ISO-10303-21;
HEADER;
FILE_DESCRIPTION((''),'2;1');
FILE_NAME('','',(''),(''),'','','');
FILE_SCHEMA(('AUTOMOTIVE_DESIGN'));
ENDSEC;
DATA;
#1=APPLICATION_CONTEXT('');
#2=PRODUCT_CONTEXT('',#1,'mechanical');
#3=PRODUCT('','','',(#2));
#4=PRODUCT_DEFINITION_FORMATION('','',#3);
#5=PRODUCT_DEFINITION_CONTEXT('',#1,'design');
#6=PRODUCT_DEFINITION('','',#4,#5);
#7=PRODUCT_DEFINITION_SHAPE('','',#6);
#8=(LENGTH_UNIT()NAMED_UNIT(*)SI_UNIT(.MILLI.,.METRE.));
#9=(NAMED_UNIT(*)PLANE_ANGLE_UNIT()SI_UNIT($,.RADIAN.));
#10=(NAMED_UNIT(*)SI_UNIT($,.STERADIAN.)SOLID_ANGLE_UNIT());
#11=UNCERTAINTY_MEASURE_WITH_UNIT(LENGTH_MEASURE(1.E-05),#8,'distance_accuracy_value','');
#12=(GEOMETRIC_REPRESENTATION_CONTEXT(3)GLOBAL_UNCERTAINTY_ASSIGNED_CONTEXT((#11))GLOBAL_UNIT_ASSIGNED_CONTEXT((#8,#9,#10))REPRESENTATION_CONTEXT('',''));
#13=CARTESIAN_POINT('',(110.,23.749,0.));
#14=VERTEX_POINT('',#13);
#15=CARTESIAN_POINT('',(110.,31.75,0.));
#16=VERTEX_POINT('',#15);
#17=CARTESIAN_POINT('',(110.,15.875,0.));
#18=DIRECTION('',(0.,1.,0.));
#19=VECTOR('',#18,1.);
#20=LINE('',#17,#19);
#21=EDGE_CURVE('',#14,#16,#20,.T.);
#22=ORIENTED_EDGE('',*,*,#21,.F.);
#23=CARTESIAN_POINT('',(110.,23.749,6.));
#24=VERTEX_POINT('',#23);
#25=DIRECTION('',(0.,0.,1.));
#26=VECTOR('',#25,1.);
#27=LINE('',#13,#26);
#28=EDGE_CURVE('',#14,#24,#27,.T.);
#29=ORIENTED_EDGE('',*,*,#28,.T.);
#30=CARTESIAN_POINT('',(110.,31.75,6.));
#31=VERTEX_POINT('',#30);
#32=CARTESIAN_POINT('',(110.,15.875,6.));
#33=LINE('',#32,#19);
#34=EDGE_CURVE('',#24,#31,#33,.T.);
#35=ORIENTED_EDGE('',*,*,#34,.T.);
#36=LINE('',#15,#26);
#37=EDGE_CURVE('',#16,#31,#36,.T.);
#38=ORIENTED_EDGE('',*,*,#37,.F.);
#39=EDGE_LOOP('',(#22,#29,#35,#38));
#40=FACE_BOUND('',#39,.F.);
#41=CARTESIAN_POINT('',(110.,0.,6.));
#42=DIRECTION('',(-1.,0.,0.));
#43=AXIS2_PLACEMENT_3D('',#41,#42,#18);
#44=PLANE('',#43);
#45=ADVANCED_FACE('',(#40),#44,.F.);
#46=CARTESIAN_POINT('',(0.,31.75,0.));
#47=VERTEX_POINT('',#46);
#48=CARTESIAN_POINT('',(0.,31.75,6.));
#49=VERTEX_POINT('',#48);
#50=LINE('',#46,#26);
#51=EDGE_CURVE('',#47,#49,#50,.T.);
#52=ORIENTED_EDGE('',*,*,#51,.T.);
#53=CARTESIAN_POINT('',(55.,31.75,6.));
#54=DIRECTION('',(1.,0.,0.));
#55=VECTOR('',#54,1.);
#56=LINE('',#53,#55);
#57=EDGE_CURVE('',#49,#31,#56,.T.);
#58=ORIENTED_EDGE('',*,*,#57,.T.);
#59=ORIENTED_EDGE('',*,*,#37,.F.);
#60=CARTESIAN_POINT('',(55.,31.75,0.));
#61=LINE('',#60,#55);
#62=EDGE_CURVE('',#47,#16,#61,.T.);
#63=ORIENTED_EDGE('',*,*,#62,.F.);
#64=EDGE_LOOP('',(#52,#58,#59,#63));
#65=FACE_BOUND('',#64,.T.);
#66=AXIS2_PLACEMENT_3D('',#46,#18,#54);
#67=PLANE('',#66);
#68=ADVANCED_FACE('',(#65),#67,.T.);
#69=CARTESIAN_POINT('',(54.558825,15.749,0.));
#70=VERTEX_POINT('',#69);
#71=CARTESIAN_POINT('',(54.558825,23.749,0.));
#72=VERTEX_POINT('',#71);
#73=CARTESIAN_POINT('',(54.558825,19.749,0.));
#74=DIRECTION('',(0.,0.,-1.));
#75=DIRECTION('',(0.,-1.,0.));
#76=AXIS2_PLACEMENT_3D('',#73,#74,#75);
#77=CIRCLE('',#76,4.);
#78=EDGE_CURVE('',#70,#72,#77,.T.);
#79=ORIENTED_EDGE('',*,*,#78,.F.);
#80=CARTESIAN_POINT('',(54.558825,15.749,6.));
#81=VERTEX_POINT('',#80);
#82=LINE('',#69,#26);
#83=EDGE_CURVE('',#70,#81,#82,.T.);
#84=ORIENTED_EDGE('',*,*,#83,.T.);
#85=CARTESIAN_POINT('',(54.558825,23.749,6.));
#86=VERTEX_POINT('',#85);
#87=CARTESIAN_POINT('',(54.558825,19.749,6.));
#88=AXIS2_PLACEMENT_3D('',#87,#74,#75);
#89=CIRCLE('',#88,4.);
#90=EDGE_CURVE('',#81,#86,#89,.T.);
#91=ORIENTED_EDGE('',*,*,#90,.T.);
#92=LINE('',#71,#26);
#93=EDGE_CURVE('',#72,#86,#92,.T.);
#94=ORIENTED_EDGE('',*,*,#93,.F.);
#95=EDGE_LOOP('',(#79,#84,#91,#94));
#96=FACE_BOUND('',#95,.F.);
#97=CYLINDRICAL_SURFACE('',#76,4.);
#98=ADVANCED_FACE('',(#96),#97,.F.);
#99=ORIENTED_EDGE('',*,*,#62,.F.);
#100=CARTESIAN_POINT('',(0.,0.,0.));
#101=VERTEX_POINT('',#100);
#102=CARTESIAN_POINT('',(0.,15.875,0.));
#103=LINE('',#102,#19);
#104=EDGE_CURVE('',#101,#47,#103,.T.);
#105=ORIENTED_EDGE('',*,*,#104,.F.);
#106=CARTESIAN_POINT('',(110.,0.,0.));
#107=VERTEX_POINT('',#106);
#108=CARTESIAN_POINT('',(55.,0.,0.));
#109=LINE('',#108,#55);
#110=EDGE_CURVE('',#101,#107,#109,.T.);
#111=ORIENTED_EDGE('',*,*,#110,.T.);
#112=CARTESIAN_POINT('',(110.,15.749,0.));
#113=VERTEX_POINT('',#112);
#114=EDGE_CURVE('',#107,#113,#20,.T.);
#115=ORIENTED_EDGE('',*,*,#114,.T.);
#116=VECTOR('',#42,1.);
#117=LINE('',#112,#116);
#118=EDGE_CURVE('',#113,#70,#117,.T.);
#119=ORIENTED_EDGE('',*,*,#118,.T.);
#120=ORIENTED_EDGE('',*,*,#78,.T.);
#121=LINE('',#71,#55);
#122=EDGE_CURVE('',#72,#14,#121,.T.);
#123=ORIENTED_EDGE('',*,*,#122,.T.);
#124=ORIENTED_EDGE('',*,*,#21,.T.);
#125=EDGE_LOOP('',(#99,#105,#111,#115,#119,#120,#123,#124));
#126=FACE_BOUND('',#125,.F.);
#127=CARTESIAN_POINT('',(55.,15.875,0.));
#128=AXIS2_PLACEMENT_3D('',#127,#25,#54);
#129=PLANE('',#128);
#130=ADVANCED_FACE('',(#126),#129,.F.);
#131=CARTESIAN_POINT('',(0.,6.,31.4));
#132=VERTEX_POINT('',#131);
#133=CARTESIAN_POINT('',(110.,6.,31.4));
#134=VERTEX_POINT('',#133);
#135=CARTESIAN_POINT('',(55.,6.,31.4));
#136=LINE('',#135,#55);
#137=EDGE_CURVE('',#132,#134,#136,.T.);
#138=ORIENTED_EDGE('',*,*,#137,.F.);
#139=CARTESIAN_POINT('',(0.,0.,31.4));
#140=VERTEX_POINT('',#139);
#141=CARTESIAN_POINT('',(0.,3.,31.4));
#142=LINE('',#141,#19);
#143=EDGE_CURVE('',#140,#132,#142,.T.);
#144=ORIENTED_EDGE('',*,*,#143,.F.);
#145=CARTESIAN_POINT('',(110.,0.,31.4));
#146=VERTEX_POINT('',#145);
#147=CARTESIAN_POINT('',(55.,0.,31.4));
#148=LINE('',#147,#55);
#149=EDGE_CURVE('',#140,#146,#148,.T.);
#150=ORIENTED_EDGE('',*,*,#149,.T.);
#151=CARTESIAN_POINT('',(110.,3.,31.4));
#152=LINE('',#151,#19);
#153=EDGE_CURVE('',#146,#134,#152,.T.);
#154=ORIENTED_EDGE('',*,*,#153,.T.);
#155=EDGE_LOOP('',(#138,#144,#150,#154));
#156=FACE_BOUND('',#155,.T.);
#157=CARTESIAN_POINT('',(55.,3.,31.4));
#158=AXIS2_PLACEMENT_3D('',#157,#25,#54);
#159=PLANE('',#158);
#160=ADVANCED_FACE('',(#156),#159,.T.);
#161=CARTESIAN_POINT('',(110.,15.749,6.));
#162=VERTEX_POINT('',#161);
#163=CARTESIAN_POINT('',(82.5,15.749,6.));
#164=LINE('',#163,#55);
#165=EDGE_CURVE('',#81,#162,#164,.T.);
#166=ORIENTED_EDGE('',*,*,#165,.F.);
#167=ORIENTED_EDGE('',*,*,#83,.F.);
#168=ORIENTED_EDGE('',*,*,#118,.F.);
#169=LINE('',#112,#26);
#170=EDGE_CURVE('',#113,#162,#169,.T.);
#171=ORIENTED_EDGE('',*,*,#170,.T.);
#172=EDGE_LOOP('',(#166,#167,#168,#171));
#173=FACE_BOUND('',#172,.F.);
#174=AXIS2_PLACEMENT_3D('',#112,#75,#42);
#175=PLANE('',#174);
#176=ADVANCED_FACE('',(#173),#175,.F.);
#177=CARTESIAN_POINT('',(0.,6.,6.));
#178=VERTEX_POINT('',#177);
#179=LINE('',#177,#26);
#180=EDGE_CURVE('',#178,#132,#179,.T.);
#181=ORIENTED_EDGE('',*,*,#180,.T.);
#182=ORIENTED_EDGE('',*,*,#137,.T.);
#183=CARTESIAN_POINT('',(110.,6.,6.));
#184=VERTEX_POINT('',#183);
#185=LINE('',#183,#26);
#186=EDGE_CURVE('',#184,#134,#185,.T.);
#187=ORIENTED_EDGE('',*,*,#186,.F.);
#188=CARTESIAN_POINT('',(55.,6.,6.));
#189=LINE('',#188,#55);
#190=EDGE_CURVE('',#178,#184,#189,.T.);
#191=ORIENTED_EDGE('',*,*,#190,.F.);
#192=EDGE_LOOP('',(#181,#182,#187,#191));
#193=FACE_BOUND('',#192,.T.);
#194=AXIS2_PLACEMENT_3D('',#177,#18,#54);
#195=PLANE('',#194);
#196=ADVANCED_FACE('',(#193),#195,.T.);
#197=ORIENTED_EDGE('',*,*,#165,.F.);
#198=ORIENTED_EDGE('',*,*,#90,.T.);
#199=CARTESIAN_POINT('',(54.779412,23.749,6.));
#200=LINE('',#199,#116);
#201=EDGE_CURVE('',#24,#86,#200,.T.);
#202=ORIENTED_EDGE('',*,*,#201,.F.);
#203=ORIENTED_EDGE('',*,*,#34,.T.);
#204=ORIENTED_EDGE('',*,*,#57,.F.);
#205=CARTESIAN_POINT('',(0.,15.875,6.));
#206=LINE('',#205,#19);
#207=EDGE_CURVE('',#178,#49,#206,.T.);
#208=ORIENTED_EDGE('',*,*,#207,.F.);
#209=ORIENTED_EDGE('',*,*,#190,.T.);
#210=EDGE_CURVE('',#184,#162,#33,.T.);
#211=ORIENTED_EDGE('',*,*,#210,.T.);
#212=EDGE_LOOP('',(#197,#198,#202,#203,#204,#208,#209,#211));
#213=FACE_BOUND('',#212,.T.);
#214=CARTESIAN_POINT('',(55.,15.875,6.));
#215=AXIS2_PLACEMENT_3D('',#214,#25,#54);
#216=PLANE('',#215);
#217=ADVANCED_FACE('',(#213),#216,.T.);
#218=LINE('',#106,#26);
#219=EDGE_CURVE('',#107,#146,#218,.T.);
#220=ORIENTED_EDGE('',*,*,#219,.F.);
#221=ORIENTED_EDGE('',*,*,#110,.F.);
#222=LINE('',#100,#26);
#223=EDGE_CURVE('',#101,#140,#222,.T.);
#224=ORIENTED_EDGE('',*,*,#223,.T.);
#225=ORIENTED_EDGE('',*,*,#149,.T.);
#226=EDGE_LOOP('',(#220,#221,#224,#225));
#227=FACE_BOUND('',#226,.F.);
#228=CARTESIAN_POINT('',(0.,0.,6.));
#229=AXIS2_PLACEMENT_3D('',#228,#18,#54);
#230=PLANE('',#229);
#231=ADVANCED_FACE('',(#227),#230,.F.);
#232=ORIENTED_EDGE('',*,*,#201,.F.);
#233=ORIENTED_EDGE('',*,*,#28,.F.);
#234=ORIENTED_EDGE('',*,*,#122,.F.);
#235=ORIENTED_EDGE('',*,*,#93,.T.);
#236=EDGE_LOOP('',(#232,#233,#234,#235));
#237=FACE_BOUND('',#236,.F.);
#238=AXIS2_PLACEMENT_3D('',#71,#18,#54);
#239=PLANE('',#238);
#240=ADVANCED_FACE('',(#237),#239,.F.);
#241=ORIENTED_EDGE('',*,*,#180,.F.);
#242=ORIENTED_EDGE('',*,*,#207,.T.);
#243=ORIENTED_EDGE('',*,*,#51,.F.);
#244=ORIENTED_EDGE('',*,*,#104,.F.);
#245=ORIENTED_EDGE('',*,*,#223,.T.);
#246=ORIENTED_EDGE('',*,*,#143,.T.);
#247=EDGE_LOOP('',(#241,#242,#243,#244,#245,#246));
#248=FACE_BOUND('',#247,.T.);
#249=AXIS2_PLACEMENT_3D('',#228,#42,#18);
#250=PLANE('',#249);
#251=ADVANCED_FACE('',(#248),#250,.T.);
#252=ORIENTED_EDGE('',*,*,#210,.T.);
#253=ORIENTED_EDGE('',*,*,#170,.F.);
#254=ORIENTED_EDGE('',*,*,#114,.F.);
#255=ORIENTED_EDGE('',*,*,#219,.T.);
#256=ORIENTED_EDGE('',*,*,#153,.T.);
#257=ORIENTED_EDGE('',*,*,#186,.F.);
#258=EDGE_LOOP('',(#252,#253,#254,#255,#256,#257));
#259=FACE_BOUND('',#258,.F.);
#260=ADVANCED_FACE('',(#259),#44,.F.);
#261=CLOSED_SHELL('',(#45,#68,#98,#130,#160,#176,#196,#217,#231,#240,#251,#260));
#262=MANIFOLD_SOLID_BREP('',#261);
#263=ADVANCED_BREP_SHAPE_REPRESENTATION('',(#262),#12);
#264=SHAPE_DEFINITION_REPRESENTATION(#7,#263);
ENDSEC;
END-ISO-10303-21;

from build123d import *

# Parameters (mm, degrees)
F0_W     = 110
F0_H     = 31.75
F1_DEPTH = 6
F2_W     = 110
F2_H     = 6
F3_DEPTH = 25.4
F5_DEPTH = 31.401


with BuildPart() as f1:
    # F0 (on Top) → F1 (new body)
    with BuildSketch(Plane.XY):
        with Locations((55, 15.875)):
            Rectangle(F0_W, F0_H)
    extrude(amount=F1_DEPTH)

    # F2 (on face) → F3 (join)
    with BuildSketch(Plane.XY.offset(6)):
        with Locations((55, 3)):
            Rectangle(F2_W, F2_H)
    extrude(amount=F3_DEPTH)

    # F4 (on face) → F5 (cut, through all)
    with BuildSketch(Plane(origin=(0, 0, 0), x_dir=(1, 0, 0), z_dir=(0, 0, -1))):
        with BuildLine():
            ThreePointArc((54.5588247478, -23.749), (57.3872518725, -22.5774271247), (58.5588247478, -19.749))
            ThreePointArc((58.5588247478, -19.749), (57.3872518725, -16.9205728753), (54.5588247478, -15.749))
            Line((54.5588247478, -15.749), (54.5588247478, -19.749))
            Line((54.5588247478, -19.749), (54.5588247478, -23.749))
        make_face()
        with BuildLine():
            ThreePointArc((54.5588247478, -15.749), (57.3872518725, -16.9205728753), (58.5588247478, -19.749))
            ThreePointArc((58.5588247478, -19.749), (57.3872518725, -22.5774271247), (54.5588247478, -23.749))
            Line((54.5588247478, -23.749), (110, -23.749))
            Line((110, -23.749), (110, -15.749))
            Line((110, -15.749), (54.5588247478, -15.749))
        make_face()
        with BuildLine():
            Line((54.5588247478, -19.749), (54.5588247478, -15.749))
            ThreePointArc((54.5588247478, -15.749), (50.5588247478, -19.749), (54.5588247478, -23.749))
            Line((54.5588247478, -23.749), (54.5588247478, -19.749))
        make_face()
    extrude(amount=-F5_DEPTH, mode=Mode.SUBTRACT)


solid = f1.part
